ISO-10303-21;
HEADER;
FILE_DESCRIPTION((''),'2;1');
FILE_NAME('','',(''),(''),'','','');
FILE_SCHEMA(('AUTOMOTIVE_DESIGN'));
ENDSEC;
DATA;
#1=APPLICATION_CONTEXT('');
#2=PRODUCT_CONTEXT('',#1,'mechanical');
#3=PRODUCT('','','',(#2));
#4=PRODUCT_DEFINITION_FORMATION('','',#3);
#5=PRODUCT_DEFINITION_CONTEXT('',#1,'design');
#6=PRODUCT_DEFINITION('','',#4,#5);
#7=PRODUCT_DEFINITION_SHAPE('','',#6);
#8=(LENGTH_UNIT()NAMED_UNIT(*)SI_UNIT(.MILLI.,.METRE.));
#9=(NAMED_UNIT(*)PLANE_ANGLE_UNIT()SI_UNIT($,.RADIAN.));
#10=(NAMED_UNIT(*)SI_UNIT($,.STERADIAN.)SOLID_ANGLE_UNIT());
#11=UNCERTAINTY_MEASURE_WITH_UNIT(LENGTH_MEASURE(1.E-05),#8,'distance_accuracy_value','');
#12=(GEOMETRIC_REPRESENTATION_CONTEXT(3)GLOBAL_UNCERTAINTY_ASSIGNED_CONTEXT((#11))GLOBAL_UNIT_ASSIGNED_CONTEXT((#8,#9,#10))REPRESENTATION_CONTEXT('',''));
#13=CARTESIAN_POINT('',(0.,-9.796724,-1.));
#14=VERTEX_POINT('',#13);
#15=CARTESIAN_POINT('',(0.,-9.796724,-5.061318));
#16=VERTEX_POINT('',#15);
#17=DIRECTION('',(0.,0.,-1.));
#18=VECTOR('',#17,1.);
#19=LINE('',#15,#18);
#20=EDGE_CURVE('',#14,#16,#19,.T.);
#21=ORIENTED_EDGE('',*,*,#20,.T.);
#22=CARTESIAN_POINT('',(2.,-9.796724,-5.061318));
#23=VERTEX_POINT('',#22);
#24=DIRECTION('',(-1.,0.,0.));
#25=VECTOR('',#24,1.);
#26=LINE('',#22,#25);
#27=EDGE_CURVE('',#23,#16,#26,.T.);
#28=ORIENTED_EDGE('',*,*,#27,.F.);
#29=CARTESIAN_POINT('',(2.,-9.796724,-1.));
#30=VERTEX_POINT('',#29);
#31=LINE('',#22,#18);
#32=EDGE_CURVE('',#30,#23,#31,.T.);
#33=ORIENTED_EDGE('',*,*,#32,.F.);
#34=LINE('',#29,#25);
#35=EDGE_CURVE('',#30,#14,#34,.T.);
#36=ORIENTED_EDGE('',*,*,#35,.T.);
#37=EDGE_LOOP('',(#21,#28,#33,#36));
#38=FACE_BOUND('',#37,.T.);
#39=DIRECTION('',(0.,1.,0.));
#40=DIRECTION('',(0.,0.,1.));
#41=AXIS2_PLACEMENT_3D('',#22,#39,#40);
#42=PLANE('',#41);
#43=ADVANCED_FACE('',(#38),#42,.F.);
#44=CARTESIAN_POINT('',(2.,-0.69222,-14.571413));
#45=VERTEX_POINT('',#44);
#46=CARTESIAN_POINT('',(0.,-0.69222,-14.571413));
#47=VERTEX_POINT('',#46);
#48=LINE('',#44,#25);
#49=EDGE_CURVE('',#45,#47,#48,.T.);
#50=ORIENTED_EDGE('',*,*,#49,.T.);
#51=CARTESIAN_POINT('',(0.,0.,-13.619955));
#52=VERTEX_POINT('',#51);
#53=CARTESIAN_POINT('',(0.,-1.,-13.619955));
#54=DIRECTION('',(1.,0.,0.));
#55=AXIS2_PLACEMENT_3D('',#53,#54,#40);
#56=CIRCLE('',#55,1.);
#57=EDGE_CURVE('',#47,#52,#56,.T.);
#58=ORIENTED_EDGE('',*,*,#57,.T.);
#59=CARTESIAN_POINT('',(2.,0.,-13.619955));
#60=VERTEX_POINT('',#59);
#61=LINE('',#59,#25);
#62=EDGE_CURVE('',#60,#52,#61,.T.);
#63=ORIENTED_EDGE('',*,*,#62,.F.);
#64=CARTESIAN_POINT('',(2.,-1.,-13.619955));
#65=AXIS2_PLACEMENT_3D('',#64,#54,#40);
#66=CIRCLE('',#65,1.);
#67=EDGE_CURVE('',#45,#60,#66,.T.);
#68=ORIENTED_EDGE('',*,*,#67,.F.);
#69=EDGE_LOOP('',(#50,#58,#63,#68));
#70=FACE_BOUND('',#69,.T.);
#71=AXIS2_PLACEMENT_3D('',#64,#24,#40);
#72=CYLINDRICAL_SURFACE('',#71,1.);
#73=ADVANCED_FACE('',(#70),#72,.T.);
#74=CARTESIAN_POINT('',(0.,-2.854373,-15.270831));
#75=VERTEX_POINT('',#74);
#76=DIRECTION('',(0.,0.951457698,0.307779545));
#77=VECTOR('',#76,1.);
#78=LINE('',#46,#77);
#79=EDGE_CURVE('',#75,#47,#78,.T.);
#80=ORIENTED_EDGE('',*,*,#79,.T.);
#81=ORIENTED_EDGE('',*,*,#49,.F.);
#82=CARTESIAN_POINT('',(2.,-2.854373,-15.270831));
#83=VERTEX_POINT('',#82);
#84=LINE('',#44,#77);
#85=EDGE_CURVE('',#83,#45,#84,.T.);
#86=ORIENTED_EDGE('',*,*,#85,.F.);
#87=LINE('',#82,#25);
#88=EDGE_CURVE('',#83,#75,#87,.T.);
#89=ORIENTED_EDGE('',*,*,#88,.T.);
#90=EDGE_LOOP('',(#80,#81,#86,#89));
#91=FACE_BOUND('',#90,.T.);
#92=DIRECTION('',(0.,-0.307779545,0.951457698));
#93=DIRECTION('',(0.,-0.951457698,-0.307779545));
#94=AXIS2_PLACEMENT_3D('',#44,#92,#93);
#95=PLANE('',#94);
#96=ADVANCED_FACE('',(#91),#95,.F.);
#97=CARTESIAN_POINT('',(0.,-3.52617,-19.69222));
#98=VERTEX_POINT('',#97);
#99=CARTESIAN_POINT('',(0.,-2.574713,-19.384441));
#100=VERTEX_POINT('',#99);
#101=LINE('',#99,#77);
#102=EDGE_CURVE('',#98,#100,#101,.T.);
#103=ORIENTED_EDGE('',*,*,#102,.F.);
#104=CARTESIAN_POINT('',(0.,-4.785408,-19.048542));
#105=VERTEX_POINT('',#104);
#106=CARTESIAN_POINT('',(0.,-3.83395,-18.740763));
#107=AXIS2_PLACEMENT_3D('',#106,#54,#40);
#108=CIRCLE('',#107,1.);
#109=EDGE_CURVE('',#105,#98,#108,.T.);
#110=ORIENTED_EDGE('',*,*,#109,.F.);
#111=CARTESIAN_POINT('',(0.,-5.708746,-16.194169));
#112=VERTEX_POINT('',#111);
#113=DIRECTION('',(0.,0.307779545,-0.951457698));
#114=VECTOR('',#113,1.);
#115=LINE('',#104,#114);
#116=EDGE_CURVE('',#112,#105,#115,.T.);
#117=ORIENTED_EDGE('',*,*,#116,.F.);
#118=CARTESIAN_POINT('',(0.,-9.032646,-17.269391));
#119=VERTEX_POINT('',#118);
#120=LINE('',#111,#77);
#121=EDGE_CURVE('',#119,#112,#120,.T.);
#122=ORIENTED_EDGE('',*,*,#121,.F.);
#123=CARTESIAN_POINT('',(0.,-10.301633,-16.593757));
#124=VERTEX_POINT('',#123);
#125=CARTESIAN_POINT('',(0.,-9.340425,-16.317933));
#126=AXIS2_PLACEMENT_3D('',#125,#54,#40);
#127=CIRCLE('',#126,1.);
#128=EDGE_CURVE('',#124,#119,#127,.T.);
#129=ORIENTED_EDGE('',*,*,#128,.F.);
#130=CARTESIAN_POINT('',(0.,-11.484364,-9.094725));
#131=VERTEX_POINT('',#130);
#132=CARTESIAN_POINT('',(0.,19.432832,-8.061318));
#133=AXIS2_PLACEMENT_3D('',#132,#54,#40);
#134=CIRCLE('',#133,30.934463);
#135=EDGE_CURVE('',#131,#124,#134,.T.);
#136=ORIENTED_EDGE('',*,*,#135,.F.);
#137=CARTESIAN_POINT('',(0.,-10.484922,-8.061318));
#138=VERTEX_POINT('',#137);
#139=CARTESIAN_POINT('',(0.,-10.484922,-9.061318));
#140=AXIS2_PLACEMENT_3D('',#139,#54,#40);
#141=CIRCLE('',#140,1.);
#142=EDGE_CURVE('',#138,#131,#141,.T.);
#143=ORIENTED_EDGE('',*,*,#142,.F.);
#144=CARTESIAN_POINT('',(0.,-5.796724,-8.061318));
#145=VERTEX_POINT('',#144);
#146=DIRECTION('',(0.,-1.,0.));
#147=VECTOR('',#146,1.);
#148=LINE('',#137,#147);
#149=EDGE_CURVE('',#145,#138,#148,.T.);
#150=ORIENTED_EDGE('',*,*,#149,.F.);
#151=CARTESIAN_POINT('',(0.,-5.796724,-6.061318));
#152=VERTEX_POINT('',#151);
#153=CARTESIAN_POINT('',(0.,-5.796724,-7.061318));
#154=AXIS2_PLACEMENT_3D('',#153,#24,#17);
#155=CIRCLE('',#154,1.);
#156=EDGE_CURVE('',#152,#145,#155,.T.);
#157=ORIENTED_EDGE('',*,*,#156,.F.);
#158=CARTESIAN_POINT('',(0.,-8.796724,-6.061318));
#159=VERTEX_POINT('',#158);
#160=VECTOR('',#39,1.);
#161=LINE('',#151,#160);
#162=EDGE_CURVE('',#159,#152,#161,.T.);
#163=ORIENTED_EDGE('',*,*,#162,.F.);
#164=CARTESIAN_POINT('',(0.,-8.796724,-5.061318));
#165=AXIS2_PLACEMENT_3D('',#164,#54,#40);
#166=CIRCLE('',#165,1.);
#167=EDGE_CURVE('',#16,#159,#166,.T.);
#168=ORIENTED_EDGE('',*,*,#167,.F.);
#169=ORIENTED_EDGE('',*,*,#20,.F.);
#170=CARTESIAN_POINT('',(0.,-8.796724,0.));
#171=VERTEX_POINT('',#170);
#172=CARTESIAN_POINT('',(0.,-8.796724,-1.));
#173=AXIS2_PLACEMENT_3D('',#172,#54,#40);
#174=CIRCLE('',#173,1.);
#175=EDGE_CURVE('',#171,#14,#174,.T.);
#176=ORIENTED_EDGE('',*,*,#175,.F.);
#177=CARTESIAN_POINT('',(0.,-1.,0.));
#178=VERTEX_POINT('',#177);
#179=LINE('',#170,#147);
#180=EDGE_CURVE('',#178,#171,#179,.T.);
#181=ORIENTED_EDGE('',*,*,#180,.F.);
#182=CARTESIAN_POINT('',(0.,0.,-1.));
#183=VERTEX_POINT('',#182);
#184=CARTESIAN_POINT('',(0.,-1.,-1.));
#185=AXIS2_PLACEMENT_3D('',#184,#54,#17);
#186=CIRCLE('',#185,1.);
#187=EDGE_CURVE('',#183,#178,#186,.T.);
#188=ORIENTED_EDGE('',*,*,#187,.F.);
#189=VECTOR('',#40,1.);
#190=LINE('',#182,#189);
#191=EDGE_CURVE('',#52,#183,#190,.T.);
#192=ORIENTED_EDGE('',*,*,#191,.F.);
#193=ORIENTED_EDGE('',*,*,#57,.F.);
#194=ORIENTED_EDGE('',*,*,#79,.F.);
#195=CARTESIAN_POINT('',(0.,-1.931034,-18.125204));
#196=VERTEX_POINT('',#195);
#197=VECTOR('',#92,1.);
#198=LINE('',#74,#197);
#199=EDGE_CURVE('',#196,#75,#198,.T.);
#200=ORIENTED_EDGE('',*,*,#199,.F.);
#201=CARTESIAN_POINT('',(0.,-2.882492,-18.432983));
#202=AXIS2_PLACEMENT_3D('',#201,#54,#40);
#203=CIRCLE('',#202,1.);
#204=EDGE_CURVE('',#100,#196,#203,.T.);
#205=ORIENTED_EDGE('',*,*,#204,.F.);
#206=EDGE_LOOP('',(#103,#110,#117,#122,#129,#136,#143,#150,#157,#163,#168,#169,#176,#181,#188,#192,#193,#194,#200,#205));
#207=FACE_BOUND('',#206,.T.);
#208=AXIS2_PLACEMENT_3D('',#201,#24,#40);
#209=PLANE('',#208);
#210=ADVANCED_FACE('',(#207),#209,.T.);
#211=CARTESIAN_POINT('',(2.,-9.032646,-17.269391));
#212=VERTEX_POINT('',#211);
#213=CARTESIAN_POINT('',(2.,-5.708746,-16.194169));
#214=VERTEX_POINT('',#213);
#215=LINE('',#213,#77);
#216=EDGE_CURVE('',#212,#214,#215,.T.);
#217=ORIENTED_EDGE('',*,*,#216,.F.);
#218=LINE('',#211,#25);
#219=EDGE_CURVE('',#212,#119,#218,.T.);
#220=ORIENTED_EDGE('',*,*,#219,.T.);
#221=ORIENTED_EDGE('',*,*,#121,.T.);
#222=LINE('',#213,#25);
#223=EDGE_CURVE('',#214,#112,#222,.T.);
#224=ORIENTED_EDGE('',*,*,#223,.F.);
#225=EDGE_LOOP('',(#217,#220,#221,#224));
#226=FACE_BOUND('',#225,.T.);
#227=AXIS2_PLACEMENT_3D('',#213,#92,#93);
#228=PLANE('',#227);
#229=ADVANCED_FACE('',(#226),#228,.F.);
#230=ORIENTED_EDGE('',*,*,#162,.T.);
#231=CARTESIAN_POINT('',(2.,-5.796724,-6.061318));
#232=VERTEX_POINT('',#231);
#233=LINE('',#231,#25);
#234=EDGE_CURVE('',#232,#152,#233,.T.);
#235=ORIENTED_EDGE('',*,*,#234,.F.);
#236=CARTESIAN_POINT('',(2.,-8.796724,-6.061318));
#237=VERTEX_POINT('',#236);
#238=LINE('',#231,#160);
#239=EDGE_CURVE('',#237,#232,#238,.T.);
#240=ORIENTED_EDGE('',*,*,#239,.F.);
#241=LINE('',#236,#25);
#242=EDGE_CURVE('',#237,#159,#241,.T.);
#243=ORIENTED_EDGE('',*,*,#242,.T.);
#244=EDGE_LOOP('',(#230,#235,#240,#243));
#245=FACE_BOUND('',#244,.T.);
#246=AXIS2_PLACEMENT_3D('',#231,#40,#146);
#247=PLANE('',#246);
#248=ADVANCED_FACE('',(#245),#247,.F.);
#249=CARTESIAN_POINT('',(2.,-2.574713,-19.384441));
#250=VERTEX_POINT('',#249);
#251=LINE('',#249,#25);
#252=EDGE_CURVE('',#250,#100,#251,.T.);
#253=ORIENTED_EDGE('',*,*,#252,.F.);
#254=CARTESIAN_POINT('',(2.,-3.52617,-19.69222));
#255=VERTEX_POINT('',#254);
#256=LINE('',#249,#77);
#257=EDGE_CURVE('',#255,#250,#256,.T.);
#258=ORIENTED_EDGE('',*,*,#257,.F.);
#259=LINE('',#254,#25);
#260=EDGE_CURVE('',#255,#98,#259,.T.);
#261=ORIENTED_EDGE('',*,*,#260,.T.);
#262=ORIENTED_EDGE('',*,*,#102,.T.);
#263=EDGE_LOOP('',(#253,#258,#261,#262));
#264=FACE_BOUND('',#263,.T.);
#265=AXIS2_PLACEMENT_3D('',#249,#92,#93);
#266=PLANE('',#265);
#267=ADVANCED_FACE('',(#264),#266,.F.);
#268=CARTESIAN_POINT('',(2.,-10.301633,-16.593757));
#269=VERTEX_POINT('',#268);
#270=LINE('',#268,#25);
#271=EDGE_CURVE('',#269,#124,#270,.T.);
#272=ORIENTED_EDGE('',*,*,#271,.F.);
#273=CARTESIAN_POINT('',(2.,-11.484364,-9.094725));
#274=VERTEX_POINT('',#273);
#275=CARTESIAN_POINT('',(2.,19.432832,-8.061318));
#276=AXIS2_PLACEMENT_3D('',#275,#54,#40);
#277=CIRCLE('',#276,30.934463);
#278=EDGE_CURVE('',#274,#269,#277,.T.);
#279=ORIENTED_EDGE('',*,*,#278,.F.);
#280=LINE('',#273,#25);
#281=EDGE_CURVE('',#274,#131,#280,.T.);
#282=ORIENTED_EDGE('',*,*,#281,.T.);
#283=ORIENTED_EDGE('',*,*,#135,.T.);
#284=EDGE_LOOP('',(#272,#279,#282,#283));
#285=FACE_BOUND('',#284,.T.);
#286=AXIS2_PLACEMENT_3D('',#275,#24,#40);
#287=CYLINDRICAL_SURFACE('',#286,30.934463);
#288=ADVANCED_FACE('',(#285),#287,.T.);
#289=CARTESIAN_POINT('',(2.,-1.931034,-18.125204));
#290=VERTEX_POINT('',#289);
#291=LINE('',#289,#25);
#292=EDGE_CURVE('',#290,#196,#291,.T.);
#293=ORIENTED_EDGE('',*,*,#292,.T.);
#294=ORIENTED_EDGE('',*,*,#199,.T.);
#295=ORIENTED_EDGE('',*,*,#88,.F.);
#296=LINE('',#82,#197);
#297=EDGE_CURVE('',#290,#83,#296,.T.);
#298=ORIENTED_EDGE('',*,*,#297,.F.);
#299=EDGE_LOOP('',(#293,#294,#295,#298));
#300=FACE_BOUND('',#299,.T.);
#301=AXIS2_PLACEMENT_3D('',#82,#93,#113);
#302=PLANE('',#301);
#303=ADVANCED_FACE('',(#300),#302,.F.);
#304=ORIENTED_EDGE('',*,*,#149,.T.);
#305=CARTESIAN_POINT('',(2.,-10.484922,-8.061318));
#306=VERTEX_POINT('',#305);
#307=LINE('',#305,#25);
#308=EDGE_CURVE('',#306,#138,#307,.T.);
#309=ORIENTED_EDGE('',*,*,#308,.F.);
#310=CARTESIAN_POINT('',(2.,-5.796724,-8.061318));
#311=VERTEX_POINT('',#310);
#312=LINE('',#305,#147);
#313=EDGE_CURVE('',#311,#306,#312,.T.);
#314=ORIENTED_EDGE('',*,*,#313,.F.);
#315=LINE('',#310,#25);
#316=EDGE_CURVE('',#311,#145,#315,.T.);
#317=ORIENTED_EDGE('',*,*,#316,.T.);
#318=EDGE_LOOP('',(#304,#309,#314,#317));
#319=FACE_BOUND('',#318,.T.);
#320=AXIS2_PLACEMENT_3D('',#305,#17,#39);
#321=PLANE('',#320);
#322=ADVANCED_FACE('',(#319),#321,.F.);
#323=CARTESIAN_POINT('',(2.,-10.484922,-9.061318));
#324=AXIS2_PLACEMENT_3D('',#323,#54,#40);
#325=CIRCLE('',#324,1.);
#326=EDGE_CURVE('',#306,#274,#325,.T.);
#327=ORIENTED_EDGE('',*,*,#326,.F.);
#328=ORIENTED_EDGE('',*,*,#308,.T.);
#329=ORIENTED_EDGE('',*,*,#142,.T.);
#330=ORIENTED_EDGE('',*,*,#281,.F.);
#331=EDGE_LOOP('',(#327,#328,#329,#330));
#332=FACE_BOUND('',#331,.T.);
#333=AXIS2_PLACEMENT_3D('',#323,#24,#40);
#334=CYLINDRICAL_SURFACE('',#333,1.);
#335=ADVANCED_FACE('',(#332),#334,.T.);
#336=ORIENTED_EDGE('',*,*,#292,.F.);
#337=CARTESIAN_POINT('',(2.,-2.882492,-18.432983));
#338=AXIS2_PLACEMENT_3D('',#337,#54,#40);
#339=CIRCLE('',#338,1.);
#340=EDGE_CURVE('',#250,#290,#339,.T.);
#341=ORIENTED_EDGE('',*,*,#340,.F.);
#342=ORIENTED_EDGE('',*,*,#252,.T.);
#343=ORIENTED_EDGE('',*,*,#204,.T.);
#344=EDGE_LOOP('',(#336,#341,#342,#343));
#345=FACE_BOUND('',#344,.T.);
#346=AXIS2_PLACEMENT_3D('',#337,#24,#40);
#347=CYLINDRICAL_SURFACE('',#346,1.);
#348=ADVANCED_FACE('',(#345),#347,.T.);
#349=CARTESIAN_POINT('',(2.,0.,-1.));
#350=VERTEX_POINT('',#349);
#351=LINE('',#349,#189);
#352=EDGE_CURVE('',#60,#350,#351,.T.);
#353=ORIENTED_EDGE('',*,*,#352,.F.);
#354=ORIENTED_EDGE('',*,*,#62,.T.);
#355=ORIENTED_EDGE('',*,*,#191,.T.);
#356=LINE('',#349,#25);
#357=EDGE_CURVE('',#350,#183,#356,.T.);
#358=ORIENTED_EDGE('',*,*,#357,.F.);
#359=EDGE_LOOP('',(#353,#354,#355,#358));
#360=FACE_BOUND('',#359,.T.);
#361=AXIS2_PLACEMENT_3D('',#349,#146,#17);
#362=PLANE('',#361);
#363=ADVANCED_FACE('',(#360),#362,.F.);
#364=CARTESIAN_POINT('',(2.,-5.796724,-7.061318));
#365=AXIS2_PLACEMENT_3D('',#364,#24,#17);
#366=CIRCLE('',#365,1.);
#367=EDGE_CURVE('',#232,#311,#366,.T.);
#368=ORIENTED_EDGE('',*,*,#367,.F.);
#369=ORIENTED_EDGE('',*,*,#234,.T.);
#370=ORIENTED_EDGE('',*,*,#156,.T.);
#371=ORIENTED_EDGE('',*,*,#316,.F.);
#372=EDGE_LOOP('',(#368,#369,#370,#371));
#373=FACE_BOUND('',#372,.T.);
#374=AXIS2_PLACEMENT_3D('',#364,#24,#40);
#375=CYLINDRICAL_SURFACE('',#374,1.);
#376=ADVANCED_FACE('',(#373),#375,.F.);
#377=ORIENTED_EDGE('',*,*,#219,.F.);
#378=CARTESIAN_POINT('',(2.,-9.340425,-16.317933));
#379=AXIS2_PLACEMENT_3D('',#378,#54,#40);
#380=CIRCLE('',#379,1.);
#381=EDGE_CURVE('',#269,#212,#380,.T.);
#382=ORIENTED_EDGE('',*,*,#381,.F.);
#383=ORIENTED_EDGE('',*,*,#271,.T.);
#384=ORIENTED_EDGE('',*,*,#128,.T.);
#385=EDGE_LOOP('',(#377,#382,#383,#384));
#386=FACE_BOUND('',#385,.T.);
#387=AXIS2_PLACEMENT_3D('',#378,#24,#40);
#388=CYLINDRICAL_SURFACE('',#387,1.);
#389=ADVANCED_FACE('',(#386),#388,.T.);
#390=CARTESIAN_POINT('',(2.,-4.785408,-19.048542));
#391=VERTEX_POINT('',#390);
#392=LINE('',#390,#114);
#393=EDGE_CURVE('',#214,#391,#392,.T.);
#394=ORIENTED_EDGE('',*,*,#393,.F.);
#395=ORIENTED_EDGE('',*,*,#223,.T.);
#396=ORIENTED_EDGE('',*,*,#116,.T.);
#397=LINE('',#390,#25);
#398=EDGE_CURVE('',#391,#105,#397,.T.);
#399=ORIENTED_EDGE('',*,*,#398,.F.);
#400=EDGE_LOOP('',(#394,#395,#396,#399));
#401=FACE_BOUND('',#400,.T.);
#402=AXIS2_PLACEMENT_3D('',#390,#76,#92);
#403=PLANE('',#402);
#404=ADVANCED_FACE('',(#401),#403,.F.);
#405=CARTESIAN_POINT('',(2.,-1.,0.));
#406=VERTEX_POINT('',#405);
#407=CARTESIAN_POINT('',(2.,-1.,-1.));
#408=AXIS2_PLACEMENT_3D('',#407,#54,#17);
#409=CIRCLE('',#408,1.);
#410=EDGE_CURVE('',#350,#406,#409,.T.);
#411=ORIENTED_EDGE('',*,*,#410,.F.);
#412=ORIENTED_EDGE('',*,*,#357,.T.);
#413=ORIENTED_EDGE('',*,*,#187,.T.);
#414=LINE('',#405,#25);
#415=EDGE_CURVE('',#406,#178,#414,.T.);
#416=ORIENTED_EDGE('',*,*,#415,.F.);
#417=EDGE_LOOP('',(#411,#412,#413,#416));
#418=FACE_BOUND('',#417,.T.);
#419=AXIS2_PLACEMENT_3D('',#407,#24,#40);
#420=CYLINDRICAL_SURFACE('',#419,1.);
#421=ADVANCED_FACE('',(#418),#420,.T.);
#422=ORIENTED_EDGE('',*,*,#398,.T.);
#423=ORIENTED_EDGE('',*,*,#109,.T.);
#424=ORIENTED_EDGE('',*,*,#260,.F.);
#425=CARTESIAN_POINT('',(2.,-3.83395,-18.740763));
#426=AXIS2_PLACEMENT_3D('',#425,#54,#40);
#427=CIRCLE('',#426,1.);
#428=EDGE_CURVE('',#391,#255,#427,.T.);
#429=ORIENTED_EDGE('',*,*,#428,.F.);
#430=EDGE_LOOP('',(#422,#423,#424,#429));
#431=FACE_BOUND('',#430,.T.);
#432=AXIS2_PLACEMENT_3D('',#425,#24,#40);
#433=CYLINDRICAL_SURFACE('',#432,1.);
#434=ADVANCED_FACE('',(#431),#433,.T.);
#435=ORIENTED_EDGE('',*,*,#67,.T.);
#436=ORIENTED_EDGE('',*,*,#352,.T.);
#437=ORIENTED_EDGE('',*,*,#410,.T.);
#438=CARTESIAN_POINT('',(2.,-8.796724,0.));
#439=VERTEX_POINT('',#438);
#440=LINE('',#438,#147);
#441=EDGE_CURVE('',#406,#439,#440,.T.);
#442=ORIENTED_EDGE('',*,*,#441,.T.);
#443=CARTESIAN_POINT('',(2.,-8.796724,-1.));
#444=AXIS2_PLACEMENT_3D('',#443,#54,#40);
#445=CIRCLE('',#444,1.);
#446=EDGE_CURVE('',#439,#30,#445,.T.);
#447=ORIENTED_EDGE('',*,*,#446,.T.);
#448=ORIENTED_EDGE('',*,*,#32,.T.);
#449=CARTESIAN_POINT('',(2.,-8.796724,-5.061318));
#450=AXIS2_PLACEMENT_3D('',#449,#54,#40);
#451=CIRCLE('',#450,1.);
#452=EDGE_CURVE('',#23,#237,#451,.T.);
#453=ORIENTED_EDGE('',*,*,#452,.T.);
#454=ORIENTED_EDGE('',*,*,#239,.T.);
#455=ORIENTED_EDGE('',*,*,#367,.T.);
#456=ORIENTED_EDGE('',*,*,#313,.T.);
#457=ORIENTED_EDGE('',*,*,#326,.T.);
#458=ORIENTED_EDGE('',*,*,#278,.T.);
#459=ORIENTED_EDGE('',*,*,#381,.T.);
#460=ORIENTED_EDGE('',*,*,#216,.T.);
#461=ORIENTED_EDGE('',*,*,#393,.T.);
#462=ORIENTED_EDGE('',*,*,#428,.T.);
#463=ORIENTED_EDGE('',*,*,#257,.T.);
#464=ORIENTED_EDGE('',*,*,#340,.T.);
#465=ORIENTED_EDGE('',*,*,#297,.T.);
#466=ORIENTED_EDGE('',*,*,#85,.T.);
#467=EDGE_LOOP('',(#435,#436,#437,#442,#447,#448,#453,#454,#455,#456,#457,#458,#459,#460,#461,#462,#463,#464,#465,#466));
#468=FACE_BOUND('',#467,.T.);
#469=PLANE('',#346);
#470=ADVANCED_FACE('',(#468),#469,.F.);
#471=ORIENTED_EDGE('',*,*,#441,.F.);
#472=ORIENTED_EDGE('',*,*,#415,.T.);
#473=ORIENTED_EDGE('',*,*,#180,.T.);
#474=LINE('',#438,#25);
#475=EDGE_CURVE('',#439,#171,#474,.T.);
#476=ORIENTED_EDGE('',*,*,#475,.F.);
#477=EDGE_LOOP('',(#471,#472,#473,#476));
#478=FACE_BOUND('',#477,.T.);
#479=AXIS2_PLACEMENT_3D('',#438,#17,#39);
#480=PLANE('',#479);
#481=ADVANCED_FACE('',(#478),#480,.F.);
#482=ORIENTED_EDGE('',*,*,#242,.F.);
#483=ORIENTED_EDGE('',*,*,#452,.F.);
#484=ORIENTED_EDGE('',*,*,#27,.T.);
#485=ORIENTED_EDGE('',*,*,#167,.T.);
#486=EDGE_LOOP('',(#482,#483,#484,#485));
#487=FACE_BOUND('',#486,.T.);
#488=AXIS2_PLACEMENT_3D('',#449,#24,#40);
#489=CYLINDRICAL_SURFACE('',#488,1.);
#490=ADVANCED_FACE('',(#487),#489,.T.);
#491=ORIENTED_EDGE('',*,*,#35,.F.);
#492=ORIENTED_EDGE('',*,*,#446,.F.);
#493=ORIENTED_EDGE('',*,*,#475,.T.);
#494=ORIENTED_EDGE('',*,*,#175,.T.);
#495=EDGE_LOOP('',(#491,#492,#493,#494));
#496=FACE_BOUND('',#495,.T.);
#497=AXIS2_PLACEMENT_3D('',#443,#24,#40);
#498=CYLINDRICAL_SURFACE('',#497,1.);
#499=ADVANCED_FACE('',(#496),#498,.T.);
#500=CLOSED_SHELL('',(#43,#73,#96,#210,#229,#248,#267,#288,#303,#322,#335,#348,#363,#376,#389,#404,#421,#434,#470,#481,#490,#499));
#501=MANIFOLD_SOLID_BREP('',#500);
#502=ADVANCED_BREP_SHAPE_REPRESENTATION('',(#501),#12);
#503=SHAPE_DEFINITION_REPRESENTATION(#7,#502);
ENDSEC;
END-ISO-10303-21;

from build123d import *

# Parameters (mm, degrees)
RESSALTO_EXTRUS_O1_DEPTH = 2


with BuildPart() as part:
    # Esboço1 → Ressalto-extrusão1 (new body)
    with BuildSketch(Plane(origin=(0, 0, 0), x_dir=(0, 0, -1), z_dir=(1, 0, 0))):
        with BuildLine():
            Line((1, 0), (13.619955174, 0))
            ThreePointArc((13.619955174, 0), (14.20826651, -0.191365489), (14.571412872, -0.692220455))
            Line((14.571412872, -0.692220455), (15.270830572, -2.854373095))
            Line((15.270830572, -2.854373095), (18.125203668, -1.931034461))
            ThreePointArc((18.125203668, -1.931034461), (18.8881324, -1.992076966), (19.384440911, -2.574712615))
            Line((19.384440911, -2.574712615), (19.692220455, -3.526170314))
            ThreePointArc((19.692220455, -3.526170314), (19.631177951, -4.289099046), (19.048542302, -4.785407557))
            Line((19.048542302, -4.785407557), (16.194169206, -5.708746191))
            Line((16.194169206, -5.708746191), (17.269391177, -9.032645519))
            ThreePointArc((17.269391177, -9.032645519), (17.200620929, -9.810385556), (16.593756544, -10.301633488))
            ThreePointArc((16.593756544, -10.301633488), (12.880660395, -11.123916543), (9.094724575, -11.484364042))
            ThreePointArc((9.094724575, -11.484364042), (8.366122719, -11.203742859), (8.061318263, -10.484922189))
            Line((8.061318263, -10.484922189), (8.061318263, -5.79672436))
            ThreePointArc((8.061318263, -5.79672436), (7.061318263, -4.79672436), (6.061318263, -5.79672436))
            Line((6.061318263, -5.79672436), (6.061318263, -8.79672436))
            ThreePointArc((6.061318263, -8.79672436), (5.768425044, -9.503831141), (5.061318263, -9.79672436))
            Line((5.061318263, -9.79672436), (1, -9.79672436))
            ThreePointArc((1, -9.79672436), (0.292893219, -9.503831141), (0, -8.79672436))
            Line((0, -8.79672436), (0, -1))
            ThreePointArc((0, -1), (0.292893219, -0.292893219), (1, 0))
        make_face()
    extrude(amount=RESSALTO_EXTRUS_O1_DEPTH)


solid = part.part
